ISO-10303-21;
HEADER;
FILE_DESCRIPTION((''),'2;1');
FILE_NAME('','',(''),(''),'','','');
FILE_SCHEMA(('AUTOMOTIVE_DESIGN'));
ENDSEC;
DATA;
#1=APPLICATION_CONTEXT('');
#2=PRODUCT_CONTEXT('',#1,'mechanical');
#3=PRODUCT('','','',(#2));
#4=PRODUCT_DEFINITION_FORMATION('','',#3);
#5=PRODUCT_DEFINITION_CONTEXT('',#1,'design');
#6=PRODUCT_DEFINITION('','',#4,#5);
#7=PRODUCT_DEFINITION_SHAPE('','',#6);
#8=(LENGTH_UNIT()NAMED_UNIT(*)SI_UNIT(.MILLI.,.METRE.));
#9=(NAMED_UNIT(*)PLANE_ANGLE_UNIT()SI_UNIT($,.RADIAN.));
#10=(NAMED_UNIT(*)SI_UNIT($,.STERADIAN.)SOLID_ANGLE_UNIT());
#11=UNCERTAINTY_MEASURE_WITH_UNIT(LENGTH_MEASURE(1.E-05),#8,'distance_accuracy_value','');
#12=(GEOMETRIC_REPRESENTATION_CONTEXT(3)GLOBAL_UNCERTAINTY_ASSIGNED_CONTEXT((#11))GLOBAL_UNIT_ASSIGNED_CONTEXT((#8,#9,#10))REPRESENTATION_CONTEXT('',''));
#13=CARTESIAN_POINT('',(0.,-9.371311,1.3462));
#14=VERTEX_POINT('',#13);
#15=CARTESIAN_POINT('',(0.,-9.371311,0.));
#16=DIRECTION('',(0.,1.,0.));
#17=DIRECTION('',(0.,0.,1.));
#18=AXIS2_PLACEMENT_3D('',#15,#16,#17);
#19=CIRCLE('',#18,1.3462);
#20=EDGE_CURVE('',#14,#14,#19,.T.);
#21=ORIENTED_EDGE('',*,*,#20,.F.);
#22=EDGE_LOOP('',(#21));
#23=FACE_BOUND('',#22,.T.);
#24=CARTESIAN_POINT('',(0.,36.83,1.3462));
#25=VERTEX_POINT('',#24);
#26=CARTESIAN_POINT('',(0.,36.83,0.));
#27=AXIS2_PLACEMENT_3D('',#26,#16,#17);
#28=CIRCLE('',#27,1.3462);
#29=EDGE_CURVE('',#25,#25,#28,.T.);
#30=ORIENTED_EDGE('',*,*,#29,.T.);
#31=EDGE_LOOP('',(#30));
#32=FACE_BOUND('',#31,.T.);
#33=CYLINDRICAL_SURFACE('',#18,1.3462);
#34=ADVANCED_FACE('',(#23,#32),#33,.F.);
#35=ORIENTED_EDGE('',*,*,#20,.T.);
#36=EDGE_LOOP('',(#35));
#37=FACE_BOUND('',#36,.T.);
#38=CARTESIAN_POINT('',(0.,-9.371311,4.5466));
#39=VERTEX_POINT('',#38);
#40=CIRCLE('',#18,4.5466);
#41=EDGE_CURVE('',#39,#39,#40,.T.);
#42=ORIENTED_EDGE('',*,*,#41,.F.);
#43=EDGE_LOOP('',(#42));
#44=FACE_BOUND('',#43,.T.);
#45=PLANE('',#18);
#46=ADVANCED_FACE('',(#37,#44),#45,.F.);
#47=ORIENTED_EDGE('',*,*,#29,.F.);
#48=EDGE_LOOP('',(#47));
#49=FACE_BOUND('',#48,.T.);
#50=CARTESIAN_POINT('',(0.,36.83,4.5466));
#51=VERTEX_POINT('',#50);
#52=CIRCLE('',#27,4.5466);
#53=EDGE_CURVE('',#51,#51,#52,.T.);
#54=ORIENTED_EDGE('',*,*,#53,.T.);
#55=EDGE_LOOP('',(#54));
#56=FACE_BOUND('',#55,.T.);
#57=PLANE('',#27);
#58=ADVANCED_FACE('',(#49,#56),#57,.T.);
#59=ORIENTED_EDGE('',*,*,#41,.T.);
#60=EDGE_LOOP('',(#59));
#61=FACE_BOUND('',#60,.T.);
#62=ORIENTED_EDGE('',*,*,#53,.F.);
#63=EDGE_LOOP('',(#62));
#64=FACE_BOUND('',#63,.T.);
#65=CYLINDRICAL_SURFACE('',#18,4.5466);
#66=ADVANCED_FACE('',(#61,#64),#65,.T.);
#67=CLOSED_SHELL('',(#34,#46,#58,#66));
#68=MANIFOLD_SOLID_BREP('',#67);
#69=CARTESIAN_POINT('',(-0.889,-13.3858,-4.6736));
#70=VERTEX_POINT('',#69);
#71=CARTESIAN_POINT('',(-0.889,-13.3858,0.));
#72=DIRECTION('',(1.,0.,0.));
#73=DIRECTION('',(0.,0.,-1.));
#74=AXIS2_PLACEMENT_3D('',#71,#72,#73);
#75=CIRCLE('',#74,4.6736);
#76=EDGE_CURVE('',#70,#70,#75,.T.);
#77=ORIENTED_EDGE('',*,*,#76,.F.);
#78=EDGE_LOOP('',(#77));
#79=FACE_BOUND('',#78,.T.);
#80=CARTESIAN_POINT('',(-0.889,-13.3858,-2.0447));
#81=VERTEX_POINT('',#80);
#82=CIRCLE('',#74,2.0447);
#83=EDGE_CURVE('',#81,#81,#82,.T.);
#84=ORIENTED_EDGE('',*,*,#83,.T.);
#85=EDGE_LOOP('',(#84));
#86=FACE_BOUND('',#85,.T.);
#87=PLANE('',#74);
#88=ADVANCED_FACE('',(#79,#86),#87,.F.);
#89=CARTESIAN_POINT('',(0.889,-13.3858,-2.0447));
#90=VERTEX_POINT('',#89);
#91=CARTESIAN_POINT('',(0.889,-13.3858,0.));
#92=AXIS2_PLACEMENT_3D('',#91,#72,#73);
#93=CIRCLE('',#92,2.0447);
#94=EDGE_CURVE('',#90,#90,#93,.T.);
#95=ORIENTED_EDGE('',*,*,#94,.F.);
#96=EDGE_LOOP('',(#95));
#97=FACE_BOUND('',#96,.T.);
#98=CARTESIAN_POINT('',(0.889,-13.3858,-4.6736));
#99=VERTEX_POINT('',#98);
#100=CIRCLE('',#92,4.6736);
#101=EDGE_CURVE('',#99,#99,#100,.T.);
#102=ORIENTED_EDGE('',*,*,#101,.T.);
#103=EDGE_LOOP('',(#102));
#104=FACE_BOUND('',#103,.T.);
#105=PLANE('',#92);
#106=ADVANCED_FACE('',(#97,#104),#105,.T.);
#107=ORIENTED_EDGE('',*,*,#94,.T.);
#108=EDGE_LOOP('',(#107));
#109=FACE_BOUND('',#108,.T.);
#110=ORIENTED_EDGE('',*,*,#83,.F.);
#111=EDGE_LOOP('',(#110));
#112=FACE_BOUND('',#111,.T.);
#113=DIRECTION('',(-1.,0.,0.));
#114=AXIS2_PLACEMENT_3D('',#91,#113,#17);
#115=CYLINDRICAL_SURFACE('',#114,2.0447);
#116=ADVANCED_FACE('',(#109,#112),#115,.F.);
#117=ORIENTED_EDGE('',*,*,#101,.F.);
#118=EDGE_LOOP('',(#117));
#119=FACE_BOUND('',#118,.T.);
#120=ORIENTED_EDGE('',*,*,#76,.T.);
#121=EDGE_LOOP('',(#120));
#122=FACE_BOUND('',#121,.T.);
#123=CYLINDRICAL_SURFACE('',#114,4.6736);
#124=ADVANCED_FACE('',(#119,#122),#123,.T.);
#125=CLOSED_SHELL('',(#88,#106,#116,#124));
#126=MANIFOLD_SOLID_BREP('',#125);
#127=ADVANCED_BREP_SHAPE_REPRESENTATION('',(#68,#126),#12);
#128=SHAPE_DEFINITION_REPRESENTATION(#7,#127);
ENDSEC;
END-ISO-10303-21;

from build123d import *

# Parameters (mm, degrees)
EXTRUDE1_DEPTH      = 35.56
EXTRUDE1_DEPTH_BACK = 10.641310793
EXTRUDE1_START      = 1.27
SKETCH1_R           = 4.5466
SKETCH1_R_2         = 1.3462
SKETCH4_R           = 4.6736
SKETCH4_R_2         = 2.0447
EXTRUDE2_DEPTH      = 0.889


with BuildPart() as part:
    # Sketch1 → Extrude1 (new, two sides: drawn at the far end of the back side and taken through both)
    with BuildSketch(Plane(origin=(0, 0, 0), x_dir=(1, 0, 0), z_dir=(0, 1, 0)).offset(EXTRUDE1_START - EXTRUDE1_DEPTH_BACK)):
        with Locations(Location((0, 0, 0), (0, 0, 270))):
            Circle(SKETCH1_R)
        with Locations(Location((0, 0, 0), (0, 0, 270))):
            Circle(SKETCH1_R_2, mode=Mode.SUBTRACT)
    extrude(amount=EXTRUDE1_DEPTH + EXTRUDE1_DEPTH_BACK)


with BuildPart() as body_2:
    # Sketch4 → Extrude2 (new, symmetric)
    with BuildSketch(Plane(origin=(0, 0, 0), x_dir=(0, 0, -1), z_dir=(1, 0, 0))):
        with Locations((0, -13.3858)):
            Circle(SKETCH4_R)
        with Locations((0, -13.3858)):
            Circle(SKETCH4_R_2, mode=Mode.SUBTRACT)
    extrude(amount=EXTRUDE2_DEPTH, both=True)


solid = Compound([part.part, body_2.part])
